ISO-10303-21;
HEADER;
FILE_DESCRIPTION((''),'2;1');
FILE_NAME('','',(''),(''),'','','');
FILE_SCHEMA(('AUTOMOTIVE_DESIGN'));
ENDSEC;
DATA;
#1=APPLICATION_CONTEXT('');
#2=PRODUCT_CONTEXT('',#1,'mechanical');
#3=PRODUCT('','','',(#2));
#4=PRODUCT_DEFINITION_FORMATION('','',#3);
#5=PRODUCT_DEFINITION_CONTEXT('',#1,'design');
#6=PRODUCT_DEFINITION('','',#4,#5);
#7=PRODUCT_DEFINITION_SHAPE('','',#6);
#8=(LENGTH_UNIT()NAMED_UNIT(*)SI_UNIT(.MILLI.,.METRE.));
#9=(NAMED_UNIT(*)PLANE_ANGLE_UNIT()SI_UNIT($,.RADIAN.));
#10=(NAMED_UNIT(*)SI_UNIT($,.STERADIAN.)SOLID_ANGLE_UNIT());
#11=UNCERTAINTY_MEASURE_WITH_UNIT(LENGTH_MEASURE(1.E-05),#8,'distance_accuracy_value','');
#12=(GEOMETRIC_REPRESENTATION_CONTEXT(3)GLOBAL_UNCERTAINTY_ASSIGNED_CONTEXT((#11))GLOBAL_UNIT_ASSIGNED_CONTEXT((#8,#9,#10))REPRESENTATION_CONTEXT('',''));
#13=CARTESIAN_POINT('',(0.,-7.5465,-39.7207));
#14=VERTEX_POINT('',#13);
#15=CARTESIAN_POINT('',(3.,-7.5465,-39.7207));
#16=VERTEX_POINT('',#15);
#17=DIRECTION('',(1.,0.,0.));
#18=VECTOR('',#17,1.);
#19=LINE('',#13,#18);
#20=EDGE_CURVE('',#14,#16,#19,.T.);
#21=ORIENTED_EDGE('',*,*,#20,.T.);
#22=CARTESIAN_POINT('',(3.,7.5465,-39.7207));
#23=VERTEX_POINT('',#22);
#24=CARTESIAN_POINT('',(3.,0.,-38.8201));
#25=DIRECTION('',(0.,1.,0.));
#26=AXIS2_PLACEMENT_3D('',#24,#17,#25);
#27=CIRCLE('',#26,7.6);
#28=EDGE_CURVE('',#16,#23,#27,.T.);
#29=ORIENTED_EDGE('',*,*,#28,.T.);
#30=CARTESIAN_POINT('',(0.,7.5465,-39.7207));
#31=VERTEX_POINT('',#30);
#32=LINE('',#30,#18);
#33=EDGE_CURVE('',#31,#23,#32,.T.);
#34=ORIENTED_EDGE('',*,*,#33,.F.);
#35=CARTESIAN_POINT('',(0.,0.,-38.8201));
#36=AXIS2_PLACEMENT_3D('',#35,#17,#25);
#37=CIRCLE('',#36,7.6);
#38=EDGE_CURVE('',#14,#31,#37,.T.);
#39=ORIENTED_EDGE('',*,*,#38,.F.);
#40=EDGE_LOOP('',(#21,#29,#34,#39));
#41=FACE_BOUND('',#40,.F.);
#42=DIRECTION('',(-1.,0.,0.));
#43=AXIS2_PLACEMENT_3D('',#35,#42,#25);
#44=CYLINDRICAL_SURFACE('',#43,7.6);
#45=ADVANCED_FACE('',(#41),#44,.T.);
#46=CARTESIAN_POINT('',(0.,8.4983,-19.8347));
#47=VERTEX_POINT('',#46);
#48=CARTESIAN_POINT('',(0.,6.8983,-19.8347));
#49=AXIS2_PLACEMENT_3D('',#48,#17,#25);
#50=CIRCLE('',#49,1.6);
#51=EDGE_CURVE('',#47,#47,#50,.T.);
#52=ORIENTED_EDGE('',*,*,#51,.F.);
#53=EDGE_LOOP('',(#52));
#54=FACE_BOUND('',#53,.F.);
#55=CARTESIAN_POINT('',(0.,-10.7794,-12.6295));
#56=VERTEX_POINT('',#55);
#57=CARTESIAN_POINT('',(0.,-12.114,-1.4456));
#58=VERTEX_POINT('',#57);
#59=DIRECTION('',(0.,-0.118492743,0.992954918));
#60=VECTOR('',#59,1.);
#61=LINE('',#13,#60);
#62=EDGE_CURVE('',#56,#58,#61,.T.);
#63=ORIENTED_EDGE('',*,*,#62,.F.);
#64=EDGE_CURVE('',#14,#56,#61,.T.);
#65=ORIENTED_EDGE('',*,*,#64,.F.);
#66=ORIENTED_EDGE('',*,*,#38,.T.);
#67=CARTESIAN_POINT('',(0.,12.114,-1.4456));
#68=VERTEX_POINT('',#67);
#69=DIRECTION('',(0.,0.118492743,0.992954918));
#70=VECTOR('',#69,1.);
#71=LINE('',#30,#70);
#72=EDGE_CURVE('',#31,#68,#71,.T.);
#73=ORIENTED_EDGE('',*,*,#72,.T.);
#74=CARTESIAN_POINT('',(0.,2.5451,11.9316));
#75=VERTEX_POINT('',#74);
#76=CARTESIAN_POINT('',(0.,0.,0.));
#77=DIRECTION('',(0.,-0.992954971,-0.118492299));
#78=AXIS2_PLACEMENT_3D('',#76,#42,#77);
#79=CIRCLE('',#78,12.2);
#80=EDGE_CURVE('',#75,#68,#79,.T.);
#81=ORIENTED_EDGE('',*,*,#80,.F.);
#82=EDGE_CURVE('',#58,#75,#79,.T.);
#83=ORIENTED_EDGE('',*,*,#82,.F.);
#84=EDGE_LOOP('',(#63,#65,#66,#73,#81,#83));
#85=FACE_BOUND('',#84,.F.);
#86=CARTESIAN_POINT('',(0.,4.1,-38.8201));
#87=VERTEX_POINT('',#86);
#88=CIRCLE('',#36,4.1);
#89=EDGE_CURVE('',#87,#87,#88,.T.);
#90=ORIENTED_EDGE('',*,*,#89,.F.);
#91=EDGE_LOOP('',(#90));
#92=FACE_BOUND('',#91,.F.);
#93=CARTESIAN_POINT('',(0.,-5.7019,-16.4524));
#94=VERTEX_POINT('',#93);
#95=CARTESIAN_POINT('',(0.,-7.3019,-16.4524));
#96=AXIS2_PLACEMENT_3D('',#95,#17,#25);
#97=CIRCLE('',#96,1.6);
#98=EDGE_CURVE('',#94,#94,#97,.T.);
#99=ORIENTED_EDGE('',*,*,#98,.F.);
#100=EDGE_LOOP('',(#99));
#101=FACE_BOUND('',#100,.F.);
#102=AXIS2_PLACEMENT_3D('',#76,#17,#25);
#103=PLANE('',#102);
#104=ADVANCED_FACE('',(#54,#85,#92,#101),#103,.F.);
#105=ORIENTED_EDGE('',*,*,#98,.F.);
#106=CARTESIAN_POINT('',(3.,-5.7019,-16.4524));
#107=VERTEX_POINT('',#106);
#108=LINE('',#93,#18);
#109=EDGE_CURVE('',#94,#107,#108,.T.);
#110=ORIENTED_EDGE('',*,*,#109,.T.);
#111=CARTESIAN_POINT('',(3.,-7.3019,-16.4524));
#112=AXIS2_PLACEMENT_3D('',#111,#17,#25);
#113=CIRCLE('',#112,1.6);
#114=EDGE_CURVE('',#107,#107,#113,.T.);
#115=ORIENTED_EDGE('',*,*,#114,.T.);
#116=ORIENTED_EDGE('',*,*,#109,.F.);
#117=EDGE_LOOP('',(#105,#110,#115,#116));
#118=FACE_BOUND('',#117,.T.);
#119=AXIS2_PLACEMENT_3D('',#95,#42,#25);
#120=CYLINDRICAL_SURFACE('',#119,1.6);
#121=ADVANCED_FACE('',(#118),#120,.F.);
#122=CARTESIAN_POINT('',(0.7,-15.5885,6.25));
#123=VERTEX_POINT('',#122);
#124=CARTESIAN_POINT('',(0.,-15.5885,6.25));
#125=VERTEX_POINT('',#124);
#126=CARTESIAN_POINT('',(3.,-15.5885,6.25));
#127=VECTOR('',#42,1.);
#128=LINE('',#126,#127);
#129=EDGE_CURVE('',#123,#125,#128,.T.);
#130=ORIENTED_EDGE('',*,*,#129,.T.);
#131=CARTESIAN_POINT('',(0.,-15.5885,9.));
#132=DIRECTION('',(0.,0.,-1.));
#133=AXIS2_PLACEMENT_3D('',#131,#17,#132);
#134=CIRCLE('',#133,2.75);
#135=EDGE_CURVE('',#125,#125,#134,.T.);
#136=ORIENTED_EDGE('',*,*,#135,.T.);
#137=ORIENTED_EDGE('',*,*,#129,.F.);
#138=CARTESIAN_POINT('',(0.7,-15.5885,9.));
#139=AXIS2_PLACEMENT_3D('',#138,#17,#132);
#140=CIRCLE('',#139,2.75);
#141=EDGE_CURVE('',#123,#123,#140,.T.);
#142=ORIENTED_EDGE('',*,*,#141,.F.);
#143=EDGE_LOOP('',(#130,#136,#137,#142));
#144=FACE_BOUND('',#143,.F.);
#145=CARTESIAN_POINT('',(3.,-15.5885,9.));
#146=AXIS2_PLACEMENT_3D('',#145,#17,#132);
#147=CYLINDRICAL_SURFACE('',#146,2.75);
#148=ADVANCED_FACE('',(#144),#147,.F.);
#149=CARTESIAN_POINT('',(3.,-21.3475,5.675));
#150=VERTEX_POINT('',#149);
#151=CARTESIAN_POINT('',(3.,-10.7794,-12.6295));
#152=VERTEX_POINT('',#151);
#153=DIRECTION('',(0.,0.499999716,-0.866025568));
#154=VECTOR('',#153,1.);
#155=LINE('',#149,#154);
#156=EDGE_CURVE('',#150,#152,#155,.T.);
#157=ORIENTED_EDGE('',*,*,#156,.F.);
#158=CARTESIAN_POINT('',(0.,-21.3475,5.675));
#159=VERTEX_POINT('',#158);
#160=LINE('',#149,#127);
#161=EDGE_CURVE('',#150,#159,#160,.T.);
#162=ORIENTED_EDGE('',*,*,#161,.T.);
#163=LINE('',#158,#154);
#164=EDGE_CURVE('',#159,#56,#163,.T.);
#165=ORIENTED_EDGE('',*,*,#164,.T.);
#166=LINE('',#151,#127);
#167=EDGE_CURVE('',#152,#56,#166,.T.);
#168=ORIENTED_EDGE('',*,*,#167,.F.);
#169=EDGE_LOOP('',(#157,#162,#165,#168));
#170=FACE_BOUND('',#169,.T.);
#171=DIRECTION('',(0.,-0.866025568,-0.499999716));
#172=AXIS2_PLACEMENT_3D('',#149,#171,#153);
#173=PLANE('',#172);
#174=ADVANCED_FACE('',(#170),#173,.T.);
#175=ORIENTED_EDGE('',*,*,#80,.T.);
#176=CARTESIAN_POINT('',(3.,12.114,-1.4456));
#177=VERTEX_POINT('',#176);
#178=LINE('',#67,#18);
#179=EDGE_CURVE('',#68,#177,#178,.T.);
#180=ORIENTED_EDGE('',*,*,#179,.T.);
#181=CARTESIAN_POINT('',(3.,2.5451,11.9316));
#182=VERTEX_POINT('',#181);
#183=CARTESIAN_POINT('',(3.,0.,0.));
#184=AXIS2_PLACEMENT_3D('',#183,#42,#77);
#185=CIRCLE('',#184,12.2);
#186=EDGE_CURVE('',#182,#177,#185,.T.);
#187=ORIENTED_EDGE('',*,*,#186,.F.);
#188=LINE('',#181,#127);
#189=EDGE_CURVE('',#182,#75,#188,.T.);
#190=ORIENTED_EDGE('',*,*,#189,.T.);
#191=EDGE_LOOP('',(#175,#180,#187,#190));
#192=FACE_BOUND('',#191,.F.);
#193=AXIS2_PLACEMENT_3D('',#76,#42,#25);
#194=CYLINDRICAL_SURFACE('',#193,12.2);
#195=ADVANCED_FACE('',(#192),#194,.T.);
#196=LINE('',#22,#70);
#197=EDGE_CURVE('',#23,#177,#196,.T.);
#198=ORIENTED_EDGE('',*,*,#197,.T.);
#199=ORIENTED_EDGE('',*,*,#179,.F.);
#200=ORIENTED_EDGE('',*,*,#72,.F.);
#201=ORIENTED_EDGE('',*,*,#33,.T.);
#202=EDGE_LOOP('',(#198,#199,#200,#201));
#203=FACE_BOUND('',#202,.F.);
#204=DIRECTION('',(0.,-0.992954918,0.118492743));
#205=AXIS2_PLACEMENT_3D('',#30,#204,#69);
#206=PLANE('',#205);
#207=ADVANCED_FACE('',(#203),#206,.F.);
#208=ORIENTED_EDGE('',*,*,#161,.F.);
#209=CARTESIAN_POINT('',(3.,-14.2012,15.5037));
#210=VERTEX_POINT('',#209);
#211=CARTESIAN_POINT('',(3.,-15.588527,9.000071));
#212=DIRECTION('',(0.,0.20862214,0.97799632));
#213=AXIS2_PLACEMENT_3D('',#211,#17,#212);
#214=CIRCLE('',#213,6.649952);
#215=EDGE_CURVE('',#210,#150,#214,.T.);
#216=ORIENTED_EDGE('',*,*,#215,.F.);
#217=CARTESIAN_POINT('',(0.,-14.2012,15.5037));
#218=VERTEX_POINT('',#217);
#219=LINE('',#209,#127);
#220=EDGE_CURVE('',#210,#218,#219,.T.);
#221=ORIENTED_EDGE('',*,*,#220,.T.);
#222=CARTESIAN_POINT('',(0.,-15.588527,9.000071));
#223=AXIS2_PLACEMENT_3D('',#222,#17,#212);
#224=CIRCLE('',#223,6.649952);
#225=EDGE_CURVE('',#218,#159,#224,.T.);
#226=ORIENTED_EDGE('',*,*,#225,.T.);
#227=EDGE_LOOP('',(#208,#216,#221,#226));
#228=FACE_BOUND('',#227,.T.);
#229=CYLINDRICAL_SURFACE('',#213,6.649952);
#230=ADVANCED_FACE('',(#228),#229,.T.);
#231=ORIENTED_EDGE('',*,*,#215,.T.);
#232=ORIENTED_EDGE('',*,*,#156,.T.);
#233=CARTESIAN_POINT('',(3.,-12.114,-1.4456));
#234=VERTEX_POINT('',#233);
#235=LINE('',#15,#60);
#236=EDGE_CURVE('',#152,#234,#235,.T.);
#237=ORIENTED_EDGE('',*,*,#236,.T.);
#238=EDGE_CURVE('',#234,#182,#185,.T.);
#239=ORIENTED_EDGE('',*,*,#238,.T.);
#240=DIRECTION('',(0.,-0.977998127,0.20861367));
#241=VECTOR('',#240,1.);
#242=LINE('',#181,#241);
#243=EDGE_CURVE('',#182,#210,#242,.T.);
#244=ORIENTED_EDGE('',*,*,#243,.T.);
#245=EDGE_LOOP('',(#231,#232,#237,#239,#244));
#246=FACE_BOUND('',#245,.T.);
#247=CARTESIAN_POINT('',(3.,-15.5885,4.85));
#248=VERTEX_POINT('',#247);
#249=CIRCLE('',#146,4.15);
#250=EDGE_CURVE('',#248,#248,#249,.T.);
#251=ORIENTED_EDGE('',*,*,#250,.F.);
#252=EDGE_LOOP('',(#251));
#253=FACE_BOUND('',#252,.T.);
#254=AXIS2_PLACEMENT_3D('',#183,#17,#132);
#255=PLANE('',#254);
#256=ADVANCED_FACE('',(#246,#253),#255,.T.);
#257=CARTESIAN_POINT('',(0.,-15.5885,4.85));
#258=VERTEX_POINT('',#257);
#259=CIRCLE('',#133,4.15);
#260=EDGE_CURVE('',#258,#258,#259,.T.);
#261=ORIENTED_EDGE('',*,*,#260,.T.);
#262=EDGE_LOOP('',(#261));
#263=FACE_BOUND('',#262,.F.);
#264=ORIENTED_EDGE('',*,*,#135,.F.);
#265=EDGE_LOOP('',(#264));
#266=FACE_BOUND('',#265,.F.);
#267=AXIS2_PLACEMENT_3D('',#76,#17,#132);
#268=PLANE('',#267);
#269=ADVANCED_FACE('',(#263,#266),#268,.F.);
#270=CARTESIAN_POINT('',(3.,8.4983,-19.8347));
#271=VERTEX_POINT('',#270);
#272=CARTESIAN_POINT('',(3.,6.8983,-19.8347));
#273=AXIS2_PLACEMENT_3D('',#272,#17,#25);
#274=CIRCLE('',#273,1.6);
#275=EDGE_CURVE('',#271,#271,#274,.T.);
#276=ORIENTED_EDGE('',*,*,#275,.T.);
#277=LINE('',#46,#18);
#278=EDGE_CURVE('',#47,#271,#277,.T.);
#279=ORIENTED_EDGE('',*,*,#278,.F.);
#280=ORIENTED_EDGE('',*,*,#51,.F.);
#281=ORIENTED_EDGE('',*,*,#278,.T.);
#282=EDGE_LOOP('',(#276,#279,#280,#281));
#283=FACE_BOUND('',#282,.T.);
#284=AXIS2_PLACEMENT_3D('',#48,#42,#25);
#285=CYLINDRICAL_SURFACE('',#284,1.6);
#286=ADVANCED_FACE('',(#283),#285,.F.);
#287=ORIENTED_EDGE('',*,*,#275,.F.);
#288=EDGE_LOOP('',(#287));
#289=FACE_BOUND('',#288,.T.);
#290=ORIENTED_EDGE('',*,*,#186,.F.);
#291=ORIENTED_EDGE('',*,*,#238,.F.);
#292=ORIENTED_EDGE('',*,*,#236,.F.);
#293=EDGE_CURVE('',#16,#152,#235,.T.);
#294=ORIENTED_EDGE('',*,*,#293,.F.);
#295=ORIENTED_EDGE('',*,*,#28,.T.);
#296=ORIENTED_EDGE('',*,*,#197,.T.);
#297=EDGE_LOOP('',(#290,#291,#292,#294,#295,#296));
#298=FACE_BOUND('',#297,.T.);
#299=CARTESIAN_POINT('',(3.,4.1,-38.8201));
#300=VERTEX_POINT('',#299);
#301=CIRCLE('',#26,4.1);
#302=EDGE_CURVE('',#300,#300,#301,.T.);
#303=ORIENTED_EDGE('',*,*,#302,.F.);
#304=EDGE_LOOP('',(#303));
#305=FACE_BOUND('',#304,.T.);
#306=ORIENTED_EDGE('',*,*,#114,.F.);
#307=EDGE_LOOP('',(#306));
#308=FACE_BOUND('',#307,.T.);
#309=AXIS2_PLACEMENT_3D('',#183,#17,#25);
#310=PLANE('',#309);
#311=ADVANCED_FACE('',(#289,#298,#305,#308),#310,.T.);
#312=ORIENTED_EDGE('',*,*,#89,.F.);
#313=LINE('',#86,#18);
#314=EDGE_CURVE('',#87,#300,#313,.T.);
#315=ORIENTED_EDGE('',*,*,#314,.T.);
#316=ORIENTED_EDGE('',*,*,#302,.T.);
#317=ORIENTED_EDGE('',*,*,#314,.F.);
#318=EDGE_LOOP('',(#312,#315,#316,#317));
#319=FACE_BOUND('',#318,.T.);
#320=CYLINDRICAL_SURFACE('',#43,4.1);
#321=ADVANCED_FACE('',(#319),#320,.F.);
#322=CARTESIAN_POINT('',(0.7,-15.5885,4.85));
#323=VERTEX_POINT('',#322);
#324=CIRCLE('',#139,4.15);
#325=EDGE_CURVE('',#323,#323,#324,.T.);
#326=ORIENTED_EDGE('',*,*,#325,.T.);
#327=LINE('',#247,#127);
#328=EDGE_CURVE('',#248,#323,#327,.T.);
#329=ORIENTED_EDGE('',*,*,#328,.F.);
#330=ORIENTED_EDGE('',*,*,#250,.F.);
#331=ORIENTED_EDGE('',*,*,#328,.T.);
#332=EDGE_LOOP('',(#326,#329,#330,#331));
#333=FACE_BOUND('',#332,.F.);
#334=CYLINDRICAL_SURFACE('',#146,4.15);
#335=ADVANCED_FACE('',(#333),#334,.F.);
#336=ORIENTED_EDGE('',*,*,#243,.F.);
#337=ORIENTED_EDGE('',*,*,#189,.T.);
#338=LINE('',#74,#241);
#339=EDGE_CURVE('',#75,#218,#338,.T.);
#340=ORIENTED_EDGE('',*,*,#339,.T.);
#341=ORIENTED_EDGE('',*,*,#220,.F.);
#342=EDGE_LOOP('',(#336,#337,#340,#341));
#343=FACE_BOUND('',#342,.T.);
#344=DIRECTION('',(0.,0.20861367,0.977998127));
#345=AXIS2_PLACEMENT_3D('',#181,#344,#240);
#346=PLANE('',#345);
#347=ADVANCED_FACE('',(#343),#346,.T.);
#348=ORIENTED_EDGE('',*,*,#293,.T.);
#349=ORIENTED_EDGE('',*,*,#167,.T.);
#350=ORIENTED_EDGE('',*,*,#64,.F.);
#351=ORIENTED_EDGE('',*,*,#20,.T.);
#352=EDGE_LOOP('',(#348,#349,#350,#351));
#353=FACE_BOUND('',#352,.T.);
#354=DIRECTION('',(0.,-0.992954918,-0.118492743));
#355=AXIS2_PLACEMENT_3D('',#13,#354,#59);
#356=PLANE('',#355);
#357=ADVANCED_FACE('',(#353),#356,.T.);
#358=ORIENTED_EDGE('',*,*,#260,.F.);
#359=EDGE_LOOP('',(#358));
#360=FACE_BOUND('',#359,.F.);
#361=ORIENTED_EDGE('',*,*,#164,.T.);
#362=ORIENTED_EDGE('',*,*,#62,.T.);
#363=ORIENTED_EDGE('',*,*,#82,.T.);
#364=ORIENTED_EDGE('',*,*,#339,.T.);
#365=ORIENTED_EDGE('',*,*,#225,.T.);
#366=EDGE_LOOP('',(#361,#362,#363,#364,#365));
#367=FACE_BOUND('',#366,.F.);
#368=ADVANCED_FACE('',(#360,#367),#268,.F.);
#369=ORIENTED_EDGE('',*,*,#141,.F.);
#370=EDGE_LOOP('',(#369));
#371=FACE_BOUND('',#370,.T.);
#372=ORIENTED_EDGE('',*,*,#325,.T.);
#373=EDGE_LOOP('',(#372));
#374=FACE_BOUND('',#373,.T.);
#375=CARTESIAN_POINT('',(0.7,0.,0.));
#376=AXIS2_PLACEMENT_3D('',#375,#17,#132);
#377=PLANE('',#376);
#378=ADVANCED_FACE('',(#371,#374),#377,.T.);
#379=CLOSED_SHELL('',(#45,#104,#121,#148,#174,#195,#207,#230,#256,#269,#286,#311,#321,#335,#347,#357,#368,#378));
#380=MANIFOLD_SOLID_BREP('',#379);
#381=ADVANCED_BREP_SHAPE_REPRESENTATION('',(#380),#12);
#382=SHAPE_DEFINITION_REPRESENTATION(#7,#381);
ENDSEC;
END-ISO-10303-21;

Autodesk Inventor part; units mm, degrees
ref_plane "YZ Plane" through (0, 0, 0) normal (1, 0, 0) x (0, 1, 0)
ref_plane "XZ Plane" through (0, 0, 0) normal (0, 1, 0) x (-1, 0, 0)
ref_plane "XY Plane" through (0, 0, 0) normal (0, 0, 1) x (1, 0, 0)
sketch "Эскиз1" plane through (0, 0, 0) normal (1, 0, 0) x (0, 1, 0)
  circle A0 centre (35.2311, -22.6062) radius 9.3
  circle A1 centre (0, -38.8201) radius 6.1 construction
  circle A2 centre (0, 0) radius 4.85 construction
  circle A3 centre (35.8147, -49.5529) radius 3.55
  line L0 (6.0968, -38.6237) -> (4.8475, 0.1562) construction
  line L1 (-4.8475, 0.1562) -> (-6.0968, -38.6237) construction
  line L2 (0, 0) -> (0, -38.8201) construction
  circle A4 centre (0, -38.8201) radius 4.1
  circle A5 centre (0, 0) radius 2.25
  circle A6 centre (0, -38.8201) radius 15 construction
  circle A7 centre (0, 0) radius 14 construction
  circle A8 centre (0, -38.8201) radius 7.6
  circle A9 centre (0, 0) radius 7 construction
  line L3 (7.5465, -39.7207) -> (12.114, -1.4456)
  line L4 (-7.5465, -39.7207) -> (-12.114, -1.4456)
  circle A10 centre (0, 0) radius 8.8 construction
  circle A11 centre (0, 0) radius 12.2
  circle A12 centre (6.8983, -19.8347) radius 1.6
  circle A13 centre (-7.3019, -16.4524) radius 1.6
  point P0 (-7, 0)
  point P1 (-7.5465, -39.7207)
  point P2 (-12.114, -1.4456)
  dimension "d0" = 18.6
  dimension "d1" = 12.2
  dimension "d2" = 9.7
  dimension "d3" = 7.1
  dimension "d8" = 38.8201
  dimension "d13" = 38.8
  dimension "d14" = 38.8
  dimension "d23" = 8.2
  dimension "d24" = 4.5
  dimension "d25" = 30
  dimension "d26" = 28
  dimension "d28" = 14
  dimension "d31" = 17.6
  dimension "d32" = 3.4
  dimension "d56" = 3.5
  dimension "d58" = 3.2
  dimension "d59" = 3
  dimension "d60" = 21
  dimension "d61" = 3.2
  dimension "d62" = 3
  dimension "d63" = 18
extrude "Выдавливание4" add sketch "Эскиз1" along normal blind 3 contours A5 | A8 | A8 L4 A11 L3 | A11
sketch "Эскиз4" plane through (0, 0, 0) normal (-1, 0, 0) x (0, 0, 1)
  circle A0 centre (-6.2, 6.2) radius 1.4
  circle A1 centre (-38.8201, 0) radius 4.1 construction
  arc A2 (-1.4456, -12.114) -> (-1.4456, 12.114) centre (0, 0) ccw construction
  line L0 (-39.7207, 7.5465) -> (-1.4456, 12.114) construction
  arc A3 (-39.7207, 7.5465) -> (-39.7207, -7.5465) centre (-38.8201, 0) ccw construction
  line L1 (-1.4456, -12.114) -> (-39.7207, -7.5465) construction
  line L2 (0, 0) -> (0, 12.2) construction
  arc A4 (-1.4456, -12.114) -> (-1.4456, 12.114) centre (0, 0) ccw construction
  line L3 (0, 0) -> (12.2, 0) construction
  circle A5 centre (6.2, 6.2) radius 1.4
  circle A6 centre (-6.2, -6.2) radius 1.4
  circle A7 centre (6.2, -6.2) radius 1.4
  dimension "d33" = 2.8
  dimension "d34" = 12.4
  dimension "d35" = 12.4
extrude "Выдавливание5" [suppressed]
sketch "Эскиз5" plane through (3, 0, 0) normal (1, 0, 0) x (0, 0, -1)
  circle A0 centre (0, 0) radius 3.75
  dimension "d38" = 7.5
extrude "Выдавливание6" [suppressed]
sketch "Эскиз6" plane through (3, 0, 0) normal (1, 0, 0) x (0, 0, -1)
  circle A0 centre (0, -18) radius 2
  circle A1 centre (38.8201, 0) radius 4.1 construction
  line L0 (39.7207, 7.5465) -> (1.4456, 12.114) construction
  arc A2 (1.4456, 12.114) -> (1.4456, -12.114) centre (0, 0) ccw construction
  line L1 (1.4456, -12.114) -> (39.7207, -7.5465) construction
  arc A3 (39.7207, -7.5465) -> (39.7207, 7.5465) centre (38.8201, 0) ccw construction
  line L2 (0, 0) -> (0, -26.6004) construction
  circle A4 centre (0, 0) radius 14 construction
  line L3 (-10.8605, -5.5578) -> (-3.5608, -19.8222)
  arc A5 (0, -14) -> (-3.5608, -19.8222) centre (0, -18) ccw construction
  line L4 (2.8284, -20.8284) -> (12.911, -10.7458)
  line L5 (1.4456, -12.114) -> (39.7207, -7.5465) construction
  arc A6 (2.8284, -20.8284) -> (0, -14) centre (0, -18) ccw construction
  arc A7 (-3.5608, -19.8222) -> (2.8284, -20.8284) centre (0, -18) ccw
  line L6 (-10.8605, -5.5578) -> (-10.1465, -5.5578)
  line L7 (-10.1465, -5.5578) -> (-6.8136, -9.4237)
  line L8 (-6.8136, -9.4237) -> (5.1237, -10.512)
  line L9 (5.1237, -10.512) -> (12.911, -10.7458)
  dimension "d42" = 28
  dimension "d41" = 4
  dimension "d43" = 18
  dimension "d44" = 8
  dimension "d45" = 45
extrude "Выдавливание7" [suppressed]
sketch "Эскиз7" plane through (3, 0, 0) normal (1, 0, 0) x (0, 0, -1)
  line L0 (0, 0) -> (0, -29.4139) construction
  circle A0 centre (-9, -15.5885) radius 4.15
  line L1 (-9, -15.5885) -> (0, 0) construction
  circle A1 centre (0, 0) radius 14 construction
  circle A2 centre (0, 0) radius 18 construction
  arc A3 (-5.675, -21.3475) -> (-15.5037, -14.2012) centre (-9, -15.5885) ccw construction
  circle A4 centre (38.8201, 0) radius 4.1 construction
  line L2 (39.7207, 7.5465) -> (1.4456, 12.114) construction
  arc A5 (1.4456, 12.114) -> (1.4456, -12.114) centre (0, 0) ccw projected
  line L3 (1.4456, -12.114) -> (39.7207, -7.5465) projected
  arc A6 (39.7207, -7.5465) -> (39.7207, 7.5465) centre (38.8201, 0) ccw construction
  line L4 (-11.9316, 2.5451) -> (-15.5037, -14.2012)
  line L5 (-5.675, -21.3475) -> (12.6295, -10.7794)
  line L6 (1.4456, -12.114) -> (39.7207, -7.5465) construction
  arc A7 (-15.5037, -14.2012) -> (-5.675, -21.3475) centre (-9, -15.5885) ccw
  circle A8 centre (-9, -15.5885) radius 2.75
  dimension "d48" = 8.3
  dimension "d49" = 330
  dimension "d50" = 28
  dimension "d51" = 4
  dimension "d53" = 30
  dimension "d57" = 2.5
  dimension "d64" = 5.5
extrude "Выдавливание8" add sketch "Эскиз7" against normal up to surface (3 mm away) contours A5 L3 L5 A7 L4
extrude "Выдавливание9" add sketch "Эскиз7" against normal up to surface (3 mm away) contours A0
extrude "Выдавливание10" cut sketch "Эскиз7" against normal blind 2.3 contours A0
properties part number "_3DПЕЧАТЬ"
